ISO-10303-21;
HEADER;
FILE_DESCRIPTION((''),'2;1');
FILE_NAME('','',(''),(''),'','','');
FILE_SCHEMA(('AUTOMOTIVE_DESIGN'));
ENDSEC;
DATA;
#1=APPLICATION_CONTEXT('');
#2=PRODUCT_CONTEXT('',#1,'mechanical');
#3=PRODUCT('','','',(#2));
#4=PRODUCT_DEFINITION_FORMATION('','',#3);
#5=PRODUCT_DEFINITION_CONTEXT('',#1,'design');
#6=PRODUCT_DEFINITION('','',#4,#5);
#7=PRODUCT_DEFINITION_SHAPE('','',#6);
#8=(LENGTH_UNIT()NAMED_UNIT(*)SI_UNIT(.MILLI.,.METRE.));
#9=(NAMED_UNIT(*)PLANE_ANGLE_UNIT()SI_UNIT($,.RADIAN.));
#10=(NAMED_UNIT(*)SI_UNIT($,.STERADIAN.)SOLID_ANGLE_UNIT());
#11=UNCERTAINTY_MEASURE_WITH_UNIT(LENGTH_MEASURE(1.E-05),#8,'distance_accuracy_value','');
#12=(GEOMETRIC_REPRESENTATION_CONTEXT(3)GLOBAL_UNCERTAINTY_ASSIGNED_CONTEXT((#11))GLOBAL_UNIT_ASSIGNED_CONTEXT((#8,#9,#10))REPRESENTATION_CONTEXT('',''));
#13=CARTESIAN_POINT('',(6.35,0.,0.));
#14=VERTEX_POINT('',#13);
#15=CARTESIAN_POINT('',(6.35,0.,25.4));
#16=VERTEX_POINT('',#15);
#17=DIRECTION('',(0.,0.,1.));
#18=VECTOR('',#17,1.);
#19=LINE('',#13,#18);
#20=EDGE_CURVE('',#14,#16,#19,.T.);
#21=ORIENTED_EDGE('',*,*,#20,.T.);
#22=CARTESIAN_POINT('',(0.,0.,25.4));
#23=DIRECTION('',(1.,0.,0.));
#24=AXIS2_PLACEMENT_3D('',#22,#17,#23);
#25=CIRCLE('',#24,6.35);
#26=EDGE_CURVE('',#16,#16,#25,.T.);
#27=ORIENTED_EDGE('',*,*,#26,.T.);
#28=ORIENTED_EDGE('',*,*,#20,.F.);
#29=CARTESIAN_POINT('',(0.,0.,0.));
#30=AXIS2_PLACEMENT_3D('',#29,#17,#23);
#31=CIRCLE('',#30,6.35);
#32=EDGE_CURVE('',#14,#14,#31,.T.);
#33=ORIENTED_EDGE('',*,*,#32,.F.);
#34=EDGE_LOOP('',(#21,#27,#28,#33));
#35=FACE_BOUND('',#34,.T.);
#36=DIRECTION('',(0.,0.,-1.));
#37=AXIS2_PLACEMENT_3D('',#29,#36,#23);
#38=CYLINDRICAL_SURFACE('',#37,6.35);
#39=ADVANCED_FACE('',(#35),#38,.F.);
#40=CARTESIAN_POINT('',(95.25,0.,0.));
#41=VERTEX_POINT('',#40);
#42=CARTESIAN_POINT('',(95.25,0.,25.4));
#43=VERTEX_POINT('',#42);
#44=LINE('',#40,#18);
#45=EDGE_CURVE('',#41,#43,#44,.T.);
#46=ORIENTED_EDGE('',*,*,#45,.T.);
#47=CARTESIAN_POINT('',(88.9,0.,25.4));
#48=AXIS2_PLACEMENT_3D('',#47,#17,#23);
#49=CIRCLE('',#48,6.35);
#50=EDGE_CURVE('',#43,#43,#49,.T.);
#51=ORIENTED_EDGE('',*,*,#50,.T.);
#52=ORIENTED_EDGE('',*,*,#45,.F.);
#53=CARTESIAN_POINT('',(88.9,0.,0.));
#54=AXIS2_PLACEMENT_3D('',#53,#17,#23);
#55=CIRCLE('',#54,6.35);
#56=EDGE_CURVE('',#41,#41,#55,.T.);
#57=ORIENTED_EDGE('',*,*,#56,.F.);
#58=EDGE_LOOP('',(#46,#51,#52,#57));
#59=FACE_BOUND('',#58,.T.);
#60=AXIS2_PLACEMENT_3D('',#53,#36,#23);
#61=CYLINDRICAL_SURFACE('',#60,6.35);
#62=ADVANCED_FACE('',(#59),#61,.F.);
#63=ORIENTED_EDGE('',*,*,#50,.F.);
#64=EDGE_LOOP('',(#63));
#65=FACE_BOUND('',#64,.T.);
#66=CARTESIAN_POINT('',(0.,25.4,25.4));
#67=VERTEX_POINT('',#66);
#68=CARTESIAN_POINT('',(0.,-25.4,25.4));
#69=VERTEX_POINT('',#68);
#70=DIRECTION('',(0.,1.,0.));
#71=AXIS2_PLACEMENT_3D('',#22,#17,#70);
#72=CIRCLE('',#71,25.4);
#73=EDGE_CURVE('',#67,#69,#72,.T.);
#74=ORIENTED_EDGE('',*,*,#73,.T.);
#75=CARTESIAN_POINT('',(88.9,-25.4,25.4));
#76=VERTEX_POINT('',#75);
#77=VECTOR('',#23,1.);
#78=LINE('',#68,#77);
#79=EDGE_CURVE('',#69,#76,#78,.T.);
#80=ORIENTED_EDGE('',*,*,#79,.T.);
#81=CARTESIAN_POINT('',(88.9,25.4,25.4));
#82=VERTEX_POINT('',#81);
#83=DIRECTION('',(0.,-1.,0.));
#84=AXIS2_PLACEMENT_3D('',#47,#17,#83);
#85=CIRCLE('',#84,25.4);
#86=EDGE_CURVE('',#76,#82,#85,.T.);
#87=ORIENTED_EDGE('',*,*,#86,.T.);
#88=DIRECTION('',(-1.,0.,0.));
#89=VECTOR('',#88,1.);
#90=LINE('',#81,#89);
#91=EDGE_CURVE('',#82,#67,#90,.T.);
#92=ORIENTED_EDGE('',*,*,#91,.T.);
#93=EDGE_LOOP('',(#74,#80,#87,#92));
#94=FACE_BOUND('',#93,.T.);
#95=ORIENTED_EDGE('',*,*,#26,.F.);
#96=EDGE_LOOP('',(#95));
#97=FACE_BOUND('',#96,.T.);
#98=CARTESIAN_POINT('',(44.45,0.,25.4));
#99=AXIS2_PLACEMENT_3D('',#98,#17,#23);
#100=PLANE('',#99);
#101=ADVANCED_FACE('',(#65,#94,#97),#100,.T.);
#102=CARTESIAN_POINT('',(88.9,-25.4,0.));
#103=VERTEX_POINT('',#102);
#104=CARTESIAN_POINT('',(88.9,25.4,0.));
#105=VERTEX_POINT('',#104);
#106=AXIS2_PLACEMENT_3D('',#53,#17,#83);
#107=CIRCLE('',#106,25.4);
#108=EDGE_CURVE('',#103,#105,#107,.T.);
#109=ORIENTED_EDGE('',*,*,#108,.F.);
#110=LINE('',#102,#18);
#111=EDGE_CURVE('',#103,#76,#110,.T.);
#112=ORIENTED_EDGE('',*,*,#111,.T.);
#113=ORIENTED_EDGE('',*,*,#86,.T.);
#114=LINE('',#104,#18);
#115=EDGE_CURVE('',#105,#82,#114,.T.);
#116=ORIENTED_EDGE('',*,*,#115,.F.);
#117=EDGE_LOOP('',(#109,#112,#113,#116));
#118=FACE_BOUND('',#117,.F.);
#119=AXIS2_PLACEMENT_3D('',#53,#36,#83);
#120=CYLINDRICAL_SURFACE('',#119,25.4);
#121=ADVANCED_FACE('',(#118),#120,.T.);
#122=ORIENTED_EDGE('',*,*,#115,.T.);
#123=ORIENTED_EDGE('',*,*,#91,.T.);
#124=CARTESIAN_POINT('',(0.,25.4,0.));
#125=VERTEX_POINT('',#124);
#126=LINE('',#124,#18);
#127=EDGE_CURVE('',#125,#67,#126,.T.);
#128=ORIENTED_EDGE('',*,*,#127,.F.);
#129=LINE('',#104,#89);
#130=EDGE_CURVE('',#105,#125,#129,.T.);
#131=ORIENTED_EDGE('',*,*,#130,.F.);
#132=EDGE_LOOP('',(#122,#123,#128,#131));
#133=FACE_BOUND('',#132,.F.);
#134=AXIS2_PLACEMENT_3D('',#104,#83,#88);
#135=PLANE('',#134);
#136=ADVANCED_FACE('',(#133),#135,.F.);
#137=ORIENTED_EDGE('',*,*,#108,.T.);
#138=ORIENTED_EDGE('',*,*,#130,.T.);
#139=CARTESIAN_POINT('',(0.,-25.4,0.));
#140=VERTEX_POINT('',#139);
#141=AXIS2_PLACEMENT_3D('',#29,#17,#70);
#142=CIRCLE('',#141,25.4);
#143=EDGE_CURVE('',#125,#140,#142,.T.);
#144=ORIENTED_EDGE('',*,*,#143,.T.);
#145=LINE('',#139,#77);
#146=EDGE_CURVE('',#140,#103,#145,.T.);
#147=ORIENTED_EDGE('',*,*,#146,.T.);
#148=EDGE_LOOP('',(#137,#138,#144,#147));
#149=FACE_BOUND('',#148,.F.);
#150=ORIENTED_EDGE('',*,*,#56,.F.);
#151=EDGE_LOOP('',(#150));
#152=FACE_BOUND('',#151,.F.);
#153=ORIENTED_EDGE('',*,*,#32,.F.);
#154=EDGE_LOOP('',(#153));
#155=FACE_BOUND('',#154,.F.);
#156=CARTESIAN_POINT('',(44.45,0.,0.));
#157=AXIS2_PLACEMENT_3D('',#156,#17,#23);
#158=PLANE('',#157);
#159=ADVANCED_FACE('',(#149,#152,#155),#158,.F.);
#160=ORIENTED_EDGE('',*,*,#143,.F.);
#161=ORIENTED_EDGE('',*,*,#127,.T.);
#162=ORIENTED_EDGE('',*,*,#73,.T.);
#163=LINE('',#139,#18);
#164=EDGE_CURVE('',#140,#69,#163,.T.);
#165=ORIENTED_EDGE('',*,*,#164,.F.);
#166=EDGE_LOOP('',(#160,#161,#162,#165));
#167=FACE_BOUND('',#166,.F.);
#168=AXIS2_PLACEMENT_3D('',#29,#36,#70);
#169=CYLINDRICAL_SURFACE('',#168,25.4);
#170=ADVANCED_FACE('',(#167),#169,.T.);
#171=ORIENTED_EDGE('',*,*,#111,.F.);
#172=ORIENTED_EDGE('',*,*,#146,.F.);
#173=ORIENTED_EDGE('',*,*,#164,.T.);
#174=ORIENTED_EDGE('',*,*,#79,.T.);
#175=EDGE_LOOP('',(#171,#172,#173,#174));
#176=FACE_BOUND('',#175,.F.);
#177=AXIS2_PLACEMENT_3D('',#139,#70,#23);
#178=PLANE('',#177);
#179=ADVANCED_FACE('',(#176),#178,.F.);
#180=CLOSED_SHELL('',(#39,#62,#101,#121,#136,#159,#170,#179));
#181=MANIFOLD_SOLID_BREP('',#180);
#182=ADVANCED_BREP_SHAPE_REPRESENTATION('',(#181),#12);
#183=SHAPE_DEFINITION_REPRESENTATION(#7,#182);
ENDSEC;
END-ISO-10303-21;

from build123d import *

# Parameters (mm, degrees)
F0_R     = 6.35
F1_DEPTH = 25.4


with BuildPart() as f1:
    # F0 (on Top) → F1 (new body)
    with BuildSketch(Plane.XY):
        with BuildLine():
            ThreePointArc((0, 25.4), (-25.4, 0), (0, -25.4))
            Line((0, -25.4), (88.9, -25.4))
            ThreePointArc((88.9, -25.4), (114.3, 0), (88.9, 25.4))
            Line((88.9, 25.4), (0, 25.4))
        make_face()
        Circle(F0_R, mode=Mode.SUBTRACT)
        with Locations((88.9, 0)):
            Circle(F0_R, mode=Mode.SUBTRACT)
    extrude(amount=F1_DEPTH)


solid = f1.part
